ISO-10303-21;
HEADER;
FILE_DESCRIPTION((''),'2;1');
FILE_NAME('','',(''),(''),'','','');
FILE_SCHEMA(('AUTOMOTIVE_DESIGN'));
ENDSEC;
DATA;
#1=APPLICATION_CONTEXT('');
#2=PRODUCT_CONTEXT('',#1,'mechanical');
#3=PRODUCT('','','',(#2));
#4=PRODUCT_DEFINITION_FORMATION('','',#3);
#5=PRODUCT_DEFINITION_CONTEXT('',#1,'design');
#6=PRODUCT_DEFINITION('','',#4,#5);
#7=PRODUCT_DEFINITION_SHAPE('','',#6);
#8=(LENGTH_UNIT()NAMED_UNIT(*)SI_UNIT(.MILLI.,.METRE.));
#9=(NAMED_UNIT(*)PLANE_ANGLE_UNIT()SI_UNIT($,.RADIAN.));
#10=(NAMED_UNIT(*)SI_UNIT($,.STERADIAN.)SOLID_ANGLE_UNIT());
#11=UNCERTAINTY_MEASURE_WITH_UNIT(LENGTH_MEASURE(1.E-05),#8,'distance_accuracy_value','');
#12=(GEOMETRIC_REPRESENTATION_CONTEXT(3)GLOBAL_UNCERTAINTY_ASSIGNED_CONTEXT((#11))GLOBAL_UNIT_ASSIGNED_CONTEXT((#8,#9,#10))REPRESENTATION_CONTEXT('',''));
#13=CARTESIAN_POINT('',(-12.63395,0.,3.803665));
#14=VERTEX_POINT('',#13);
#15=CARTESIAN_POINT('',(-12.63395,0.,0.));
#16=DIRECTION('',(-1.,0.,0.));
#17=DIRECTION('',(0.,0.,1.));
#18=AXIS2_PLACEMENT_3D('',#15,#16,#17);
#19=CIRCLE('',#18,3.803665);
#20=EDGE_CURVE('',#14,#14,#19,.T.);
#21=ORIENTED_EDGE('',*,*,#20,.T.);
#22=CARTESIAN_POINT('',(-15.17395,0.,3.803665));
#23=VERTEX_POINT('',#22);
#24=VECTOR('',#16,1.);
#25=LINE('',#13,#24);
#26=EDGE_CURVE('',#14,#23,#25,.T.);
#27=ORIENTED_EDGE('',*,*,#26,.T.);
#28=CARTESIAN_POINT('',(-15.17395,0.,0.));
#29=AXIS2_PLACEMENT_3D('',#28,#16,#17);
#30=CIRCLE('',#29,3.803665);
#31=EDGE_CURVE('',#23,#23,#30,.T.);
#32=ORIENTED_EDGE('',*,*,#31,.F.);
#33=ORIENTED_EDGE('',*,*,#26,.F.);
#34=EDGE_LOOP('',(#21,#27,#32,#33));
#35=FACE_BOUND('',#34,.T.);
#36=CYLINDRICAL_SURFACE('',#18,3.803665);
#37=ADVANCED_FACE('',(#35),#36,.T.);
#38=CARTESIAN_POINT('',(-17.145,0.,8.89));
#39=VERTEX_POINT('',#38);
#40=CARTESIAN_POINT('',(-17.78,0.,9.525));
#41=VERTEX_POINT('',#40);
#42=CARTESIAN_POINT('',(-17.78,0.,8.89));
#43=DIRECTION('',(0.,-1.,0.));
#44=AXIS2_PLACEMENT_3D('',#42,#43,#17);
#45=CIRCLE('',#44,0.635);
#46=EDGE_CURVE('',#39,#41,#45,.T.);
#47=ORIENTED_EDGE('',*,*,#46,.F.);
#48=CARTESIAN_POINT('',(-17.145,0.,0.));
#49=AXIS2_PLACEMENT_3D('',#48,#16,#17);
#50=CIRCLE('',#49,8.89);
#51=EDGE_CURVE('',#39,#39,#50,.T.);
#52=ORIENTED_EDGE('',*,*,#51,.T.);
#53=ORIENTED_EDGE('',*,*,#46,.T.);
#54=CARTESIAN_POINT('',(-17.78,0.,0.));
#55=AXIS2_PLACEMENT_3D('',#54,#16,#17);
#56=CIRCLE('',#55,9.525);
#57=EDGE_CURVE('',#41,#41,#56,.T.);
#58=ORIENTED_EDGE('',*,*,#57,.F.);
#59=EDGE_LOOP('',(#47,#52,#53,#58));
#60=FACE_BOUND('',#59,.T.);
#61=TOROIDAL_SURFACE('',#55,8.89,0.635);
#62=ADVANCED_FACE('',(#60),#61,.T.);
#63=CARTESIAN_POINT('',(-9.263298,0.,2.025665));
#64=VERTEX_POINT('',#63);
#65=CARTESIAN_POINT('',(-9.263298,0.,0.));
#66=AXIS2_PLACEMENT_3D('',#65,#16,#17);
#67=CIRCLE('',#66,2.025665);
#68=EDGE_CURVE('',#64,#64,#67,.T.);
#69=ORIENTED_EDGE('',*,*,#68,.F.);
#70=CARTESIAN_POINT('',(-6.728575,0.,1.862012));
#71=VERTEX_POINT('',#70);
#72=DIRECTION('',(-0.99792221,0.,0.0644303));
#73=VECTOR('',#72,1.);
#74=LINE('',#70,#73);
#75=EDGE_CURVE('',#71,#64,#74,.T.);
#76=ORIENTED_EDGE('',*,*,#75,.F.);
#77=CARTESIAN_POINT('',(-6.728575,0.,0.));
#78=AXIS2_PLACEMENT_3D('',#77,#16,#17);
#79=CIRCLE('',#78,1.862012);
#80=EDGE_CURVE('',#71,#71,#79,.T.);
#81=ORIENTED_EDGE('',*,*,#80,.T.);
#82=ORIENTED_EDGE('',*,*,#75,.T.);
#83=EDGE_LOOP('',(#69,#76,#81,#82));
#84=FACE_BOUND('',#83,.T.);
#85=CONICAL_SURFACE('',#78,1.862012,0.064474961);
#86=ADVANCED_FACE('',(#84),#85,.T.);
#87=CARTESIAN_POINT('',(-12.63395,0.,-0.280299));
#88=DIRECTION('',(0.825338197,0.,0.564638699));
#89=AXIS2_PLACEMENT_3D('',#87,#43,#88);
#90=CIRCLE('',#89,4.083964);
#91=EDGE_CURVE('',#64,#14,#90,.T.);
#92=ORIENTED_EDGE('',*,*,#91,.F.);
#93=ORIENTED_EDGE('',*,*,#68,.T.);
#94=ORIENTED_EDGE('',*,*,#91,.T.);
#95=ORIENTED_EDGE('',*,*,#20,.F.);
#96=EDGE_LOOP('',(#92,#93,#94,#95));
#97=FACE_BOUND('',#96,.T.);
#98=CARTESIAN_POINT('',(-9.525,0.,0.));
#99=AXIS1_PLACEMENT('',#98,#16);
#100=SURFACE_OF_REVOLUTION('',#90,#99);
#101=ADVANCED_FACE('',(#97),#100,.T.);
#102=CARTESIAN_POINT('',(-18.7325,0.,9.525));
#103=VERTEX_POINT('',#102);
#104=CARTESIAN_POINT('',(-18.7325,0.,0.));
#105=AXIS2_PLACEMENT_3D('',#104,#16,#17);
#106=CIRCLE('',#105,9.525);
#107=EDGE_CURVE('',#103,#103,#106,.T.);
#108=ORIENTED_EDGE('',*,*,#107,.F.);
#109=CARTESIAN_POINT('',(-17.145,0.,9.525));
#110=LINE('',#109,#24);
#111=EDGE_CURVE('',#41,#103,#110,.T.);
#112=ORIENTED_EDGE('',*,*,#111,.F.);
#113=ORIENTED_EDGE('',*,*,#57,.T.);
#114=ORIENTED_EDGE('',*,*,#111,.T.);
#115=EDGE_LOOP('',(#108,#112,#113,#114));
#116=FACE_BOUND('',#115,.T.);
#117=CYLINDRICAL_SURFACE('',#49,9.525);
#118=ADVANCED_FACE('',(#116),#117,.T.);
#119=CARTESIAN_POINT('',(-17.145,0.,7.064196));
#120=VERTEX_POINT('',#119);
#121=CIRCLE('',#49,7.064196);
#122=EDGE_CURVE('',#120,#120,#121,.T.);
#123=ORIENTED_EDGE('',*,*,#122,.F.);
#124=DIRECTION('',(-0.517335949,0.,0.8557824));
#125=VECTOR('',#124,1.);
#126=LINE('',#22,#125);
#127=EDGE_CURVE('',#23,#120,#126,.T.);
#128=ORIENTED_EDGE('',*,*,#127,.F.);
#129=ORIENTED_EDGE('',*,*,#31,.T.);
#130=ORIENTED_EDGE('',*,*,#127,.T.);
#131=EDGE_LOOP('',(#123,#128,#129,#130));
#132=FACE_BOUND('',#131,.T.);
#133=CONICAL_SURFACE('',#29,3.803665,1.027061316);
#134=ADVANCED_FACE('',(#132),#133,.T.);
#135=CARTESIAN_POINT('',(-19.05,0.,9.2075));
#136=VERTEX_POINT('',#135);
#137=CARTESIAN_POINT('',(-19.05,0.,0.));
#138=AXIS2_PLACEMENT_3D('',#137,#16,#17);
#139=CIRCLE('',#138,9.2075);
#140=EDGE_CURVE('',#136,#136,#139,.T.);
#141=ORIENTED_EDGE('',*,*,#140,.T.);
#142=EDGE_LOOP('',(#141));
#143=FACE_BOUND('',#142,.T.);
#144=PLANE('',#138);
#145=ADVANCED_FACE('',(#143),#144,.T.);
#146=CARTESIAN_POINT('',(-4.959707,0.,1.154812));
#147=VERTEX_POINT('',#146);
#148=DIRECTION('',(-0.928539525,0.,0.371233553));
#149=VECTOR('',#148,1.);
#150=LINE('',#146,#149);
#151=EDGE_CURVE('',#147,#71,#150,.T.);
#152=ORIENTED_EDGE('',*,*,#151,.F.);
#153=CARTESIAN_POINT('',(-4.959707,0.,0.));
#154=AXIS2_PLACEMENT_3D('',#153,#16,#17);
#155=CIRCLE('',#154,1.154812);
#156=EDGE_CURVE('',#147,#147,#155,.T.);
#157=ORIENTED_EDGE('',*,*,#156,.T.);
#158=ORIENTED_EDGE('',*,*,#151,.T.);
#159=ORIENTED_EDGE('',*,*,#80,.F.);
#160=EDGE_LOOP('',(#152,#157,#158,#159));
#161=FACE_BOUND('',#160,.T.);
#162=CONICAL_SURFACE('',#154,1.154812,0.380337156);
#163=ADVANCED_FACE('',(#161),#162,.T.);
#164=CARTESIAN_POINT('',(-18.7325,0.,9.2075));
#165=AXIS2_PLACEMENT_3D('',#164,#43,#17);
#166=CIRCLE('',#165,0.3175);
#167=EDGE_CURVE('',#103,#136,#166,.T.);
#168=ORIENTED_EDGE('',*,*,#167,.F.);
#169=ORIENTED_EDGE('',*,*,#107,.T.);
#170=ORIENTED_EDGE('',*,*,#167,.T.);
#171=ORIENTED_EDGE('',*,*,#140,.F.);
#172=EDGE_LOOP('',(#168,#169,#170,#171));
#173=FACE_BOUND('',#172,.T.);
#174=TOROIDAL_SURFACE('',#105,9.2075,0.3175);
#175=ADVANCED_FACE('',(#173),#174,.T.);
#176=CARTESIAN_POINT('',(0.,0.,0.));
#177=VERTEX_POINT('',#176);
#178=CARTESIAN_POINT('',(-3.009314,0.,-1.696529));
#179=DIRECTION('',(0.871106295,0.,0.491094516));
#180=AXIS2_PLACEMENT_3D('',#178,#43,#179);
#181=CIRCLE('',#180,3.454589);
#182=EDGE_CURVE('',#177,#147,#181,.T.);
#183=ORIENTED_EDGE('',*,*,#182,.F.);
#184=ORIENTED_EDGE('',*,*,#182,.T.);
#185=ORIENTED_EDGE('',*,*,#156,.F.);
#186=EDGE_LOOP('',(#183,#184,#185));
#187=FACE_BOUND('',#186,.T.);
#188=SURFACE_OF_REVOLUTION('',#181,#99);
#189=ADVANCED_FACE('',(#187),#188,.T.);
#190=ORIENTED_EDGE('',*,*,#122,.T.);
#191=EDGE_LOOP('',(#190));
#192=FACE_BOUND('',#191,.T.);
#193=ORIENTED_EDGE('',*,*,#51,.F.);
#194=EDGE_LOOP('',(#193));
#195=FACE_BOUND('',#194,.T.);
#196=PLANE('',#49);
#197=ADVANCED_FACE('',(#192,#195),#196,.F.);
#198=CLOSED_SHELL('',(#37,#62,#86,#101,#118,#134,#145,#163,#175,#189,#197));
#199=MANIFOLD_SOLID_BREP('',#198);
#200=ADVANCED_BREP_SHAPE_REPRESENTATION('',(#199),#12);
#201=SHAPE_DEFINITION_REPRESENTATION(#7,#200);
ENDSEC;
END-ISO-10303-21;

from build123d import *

# Parameters (mm, degrees)
F2_R = 0.635
F3_R = 0.3175


with BuildPart() as f1:
    # F0 (on Front) → F1 (revolve)
    with BuildSketch(Plane.XZ):
        with BuildLine():
            Line((-19.05, 0), (0, 0))
            ThreePointArc((0, 0), (-2.225907, 1.668059), (-4.959707, 1.154812))
            Line((-4.959707, 1.154812), (-6.728575, 1.862012))
            Line((-6.728575, 1.862012), (-9.263298, 2.025665))
            ThreePointArc((-9.263298, 2.025665), (-10.728525, 3.331919), (-12.63395, 3.803665))
            Line((-12.63395, 3.803665), (-15.17395, 3.803665))
            Line((-15.17395, 3.803665), (-17.145, 7.064196))
            Line((-17.145, 7.064196), (-17.145, 9.525))
            Line((-17.145, 9.525), (-19.05, 9.525))
            Line((-19.05, 9.525), (-19.05, 0))
        make_face()
    revolve(axis=Axis((-9.525, 0, 0), (-1, 0, 0)))

    # F2
    f2_edges = [f1.edges().sort_by_distance(p)[0] for p in [
        (-17.145, 0, -9.525),
    ]]
    fillet(f2_edges, radius=F2_R)

    # F3
    f3_edges = [f1.edges().sort_by_distance(p)[0] for p in [
        (-19.05, 0, -9.525),
    ]]
    fillet(f3_edges, radius=F3_R)


solid = f1.part
